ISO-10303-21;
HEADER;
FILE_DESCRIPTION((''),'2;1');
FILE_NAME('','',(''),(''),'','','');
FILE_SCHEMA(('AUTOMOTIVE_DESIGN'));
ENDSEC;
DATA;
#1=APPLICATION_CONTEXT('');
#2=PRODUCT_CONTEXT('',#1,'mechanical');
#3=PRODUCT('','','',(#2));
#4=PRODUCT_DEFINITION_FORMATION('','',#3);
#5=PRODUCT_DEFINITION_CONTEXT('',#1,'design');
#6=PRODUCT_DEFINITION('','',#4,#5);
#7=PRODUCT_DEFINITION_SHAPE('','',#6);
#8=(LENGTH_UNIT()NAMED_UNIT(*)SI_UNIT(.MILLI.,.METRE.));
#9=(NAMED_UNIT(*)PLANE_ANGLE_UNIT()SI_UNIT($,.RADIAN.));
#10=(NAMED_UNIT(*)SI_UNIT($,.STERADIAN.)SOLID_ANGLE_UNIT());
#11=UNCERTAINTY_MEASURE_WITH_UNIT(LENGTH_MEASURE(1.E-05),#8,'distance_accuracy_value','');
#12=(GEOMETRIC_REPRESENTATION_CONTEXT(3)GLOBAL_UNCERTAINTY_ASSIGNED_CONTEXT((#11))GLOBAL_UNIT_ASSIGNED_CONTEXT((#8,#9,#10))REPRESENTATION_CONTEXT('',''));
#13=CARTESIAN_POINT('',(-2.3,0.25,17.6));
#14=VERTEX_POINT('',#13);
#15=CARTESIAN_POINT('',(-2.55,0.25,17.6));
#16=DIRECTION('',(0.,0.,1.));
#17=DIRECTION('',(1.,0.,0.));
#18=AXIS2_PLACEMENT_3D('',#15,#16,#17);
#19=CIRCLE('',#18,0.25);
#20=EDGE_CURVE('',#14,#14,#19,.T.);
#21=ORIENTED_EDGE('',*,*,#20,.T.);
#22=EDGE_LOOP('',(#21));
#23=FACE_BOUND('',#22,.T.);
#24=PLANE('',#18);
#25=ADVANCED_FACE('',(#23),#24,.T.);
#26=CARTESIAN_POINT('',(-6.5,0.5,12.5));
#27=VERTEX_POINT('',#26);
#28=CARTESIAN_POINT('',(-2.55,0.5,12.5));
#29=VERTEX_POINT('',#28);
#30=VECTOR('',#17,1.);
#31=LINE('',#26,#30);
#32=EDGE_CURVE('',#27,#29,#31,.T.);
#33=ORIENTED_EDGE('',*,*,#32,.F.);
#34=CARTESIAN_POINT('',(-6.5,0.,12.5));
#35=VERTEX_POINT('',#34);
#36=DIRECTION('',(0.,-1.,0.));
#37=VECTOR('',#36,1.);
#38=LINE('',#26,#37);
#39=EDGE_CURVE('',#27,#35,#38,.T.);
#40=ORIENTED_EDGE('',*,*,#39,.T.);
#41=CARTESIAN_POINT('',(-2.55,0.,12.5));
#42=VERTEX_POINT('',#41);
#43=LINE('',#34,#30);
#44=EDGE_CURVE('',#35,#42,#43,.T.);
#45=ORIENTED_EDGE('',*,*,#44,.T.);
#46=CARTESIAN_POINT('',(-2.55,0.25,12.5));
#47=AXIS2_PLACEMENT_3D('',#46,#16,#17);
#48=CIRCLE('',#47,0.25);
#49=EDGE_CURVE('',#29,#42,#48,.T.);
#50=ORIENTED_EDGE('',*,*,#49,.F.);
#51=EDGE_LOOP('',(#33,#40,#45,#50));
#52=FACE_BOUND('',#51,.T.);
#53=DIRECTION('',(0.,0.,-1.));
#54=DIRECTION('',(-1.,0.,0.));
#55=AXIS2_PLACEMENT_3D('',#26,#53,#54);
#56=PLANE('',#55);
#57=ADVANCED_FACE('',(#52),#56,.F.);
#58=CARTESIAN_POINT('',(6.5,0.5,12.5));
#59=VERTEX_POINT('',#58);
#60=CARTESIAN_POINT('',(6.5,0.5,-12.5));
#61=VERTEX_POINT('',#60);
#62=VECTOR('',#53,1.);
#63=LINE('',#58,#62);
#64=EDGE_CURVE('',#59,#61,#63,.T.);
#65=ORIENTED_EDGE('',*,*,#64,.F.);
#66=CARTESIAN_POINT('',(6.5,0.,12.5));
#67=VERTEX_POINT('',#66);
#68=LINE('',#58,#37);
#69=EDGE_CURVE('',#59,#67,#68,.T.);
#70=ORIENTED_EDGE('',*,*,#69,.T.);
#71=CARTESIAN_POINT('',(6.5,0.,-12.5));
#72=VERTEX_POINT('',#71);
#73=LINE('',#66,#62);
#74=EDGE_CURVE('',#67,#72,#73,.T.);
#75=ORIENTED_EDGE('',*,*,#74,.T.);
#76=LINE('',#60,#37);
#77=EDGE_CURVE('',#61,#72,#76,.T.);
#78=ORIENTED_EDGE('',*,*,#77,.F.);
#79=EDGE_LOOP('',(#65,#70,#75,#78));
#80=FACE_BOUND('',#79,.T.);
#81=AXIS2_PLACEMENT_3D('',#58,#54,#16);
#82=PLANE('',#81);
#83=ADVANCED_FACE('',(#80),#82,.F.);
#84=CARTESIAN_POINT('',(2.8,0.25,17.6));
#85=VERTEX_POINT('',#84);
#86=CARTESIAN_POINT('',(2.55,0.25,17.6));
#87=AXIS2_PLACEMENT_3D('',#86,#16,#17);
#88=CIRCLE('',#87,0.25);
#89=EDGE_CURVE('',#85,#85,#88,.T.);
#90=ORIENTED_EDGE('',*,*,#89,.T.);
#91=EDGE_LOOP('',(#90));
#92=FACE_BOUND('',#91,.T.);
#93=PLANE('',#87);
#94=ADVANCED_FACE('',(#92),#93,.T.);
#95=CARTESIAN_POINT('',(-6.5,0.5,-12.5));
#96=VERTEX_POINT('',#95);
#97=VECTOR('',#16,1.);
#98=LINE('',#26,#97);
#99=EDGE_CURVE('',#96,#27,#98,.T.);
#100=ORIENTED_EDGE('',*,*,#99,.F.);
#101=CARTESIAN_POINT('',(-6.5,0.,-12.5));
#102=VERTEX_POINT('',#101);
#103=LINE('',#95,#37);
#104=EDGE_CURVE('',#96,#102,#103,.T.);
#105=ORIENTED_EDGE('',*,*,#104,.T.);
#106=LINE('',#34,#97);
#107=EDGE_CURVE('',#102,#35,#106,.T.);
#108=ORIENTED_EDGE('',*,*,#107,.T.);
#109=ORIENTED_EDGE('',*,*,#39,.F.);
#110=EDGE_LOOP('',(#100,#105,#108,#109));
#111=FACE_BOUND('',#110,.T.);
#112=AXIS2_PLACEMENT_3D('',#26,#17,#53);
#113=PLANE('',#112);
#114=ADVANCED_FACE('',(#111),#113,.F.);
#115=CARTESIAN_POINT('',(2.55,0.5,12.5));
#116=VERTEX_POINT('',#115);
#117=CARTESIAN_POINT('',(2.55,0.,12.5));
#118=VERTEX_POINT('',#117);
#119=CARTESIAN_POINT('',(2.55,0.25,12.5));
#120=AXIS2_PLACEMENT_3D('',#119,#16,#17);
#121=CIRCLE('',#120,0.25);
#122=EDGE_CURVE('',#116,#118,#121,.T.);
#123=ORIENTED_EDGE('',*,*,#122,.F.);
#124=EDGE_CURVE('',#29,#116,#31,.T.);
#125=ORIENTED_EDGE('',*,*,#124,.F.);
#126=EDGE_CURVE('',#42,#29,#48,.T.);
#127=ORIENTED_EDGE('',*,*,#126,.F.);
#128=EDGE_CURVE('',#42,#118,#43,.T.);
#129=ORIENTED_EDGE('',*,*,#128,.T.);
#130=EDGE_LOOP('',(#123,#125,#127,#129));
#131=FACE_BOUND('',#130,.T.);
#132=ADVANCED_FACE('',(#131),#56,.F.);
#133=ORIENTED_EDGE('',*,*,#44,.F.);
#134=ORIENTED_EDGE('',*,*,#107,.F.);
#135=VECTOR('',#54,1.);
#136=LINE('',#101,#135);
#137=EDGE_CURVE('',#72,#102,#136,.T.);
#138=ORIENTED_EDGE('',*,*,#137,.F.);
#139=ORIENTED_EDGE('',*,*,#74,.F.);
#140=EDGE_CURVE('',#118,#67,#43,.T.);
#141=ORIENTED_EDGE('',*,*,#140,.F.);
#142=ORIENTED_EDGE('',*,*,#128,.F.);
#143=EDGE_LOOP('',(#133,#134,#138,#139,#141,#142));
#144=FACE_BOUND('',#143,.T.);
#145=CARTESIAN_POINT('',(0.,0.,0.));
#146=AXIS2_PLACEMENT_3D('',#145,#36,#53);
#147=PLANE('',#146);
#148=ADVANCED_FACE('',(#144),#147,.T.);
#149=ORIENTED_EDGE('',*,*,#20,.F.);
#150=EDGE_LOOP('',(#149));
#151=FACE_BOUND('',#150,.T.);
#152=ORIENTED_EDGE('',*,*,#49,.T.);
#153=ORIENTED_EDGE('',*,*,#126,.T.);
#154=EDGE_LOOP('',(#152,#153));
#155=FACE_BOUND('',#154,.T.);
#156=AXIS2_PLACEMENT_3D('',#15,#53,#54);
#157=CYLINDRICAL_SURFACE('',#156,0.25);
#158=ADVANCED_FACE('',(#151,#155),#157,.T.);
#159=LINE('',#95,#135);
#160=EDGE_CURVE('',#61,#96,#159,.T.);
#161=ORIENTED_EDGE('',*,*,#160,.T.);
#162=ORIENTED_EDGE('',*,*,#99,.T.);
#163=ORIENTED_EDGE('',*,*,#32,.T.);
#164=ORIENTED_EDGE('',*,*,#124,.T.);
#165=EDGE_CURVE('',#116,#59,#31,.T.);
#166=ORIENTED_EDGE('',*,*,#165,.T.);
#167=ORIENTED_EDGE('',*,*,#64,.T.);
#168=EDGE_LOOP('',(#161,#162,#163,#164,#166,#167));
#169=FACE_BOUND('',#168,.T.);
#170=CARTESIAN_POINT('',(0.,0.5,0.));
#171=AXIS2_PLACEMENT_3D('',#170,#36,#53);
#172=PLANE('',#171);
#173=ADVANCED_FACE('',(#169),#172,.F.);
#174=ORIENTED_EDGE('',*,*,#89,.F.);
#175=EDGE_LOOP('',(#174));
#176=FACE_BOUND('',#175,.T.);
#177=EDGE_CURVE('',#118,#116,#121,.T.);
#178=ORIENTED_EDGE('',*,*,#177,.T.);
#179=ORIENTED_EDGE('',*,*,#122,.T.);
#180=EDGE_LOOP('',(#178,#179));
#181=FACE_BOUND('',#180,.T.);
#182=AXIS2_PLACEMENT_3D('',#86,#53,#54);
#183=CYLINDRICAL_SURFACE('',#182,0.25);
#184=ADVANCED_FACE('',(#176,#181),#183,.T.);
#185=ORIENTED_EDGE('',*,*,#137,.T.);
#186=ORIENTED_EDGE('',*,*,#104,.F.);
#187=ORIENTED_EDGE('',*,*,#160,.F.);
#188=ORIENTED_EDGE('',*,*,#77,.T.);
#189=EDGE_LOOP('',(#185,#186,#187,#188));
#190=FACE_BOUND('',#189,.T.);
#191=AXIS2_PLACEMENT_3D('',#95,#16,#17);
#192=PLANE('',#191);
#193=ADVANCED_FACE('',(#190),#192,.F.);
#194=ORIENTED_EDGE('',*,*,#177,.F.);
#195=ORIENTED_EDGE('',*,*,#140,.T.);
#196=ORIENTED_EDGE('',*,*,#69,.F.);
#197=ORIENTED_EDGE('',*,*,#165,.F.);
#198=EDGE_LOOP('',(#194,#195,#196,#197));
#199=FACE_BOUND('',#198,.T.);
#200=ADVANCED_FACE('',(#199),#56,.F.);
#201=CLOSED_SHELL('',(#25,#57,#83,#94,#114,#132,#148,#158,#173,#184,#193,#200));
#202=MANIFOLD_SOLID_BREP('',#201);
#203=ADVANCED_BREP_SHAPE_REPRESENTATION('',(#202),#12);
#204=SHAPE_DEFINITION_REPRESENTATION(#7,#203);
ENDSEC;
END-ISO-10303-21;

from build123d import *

# Parameters (mm, degrees)
SKETCH1_W           = 13
SKETCH1_H           = 25
BOSS_EXTRUDE1_DEPTH = 0.5
SKETCH2_R           = 0.25
BOSS_EXTRUDE2_DEPTH = 5.1


with BuildPart() as part:
    # Sketch1 → Boss-Extrude1 (new body)
    with BuildSketch(Plane(origin=(0, 0, 0), x_dir=(1, 0, 0), z_dir=(0, 1, 0))):
        Rectangle(SKETCH1_W, SKETCH1_H)
    extrude(amount=BOSS_EXTRUDE1_DEPTH)

    # Sketch2 → Boss-Extrude2 (add)
    with BuildSketch(Plane.XY.offset(12.5)):
        with Locations(Location((-2.55, 0.25, 0), (0, 0, 270))):
            Circle(SKETCH2_R)
        with Locations(Location((2.55, 0.25, 0), (0, 0, 270))):
            Circle(SKETCH2_R)
    extrude(amount=BOSS_EXTRUDE2_DEPTH)


solid = part.part
